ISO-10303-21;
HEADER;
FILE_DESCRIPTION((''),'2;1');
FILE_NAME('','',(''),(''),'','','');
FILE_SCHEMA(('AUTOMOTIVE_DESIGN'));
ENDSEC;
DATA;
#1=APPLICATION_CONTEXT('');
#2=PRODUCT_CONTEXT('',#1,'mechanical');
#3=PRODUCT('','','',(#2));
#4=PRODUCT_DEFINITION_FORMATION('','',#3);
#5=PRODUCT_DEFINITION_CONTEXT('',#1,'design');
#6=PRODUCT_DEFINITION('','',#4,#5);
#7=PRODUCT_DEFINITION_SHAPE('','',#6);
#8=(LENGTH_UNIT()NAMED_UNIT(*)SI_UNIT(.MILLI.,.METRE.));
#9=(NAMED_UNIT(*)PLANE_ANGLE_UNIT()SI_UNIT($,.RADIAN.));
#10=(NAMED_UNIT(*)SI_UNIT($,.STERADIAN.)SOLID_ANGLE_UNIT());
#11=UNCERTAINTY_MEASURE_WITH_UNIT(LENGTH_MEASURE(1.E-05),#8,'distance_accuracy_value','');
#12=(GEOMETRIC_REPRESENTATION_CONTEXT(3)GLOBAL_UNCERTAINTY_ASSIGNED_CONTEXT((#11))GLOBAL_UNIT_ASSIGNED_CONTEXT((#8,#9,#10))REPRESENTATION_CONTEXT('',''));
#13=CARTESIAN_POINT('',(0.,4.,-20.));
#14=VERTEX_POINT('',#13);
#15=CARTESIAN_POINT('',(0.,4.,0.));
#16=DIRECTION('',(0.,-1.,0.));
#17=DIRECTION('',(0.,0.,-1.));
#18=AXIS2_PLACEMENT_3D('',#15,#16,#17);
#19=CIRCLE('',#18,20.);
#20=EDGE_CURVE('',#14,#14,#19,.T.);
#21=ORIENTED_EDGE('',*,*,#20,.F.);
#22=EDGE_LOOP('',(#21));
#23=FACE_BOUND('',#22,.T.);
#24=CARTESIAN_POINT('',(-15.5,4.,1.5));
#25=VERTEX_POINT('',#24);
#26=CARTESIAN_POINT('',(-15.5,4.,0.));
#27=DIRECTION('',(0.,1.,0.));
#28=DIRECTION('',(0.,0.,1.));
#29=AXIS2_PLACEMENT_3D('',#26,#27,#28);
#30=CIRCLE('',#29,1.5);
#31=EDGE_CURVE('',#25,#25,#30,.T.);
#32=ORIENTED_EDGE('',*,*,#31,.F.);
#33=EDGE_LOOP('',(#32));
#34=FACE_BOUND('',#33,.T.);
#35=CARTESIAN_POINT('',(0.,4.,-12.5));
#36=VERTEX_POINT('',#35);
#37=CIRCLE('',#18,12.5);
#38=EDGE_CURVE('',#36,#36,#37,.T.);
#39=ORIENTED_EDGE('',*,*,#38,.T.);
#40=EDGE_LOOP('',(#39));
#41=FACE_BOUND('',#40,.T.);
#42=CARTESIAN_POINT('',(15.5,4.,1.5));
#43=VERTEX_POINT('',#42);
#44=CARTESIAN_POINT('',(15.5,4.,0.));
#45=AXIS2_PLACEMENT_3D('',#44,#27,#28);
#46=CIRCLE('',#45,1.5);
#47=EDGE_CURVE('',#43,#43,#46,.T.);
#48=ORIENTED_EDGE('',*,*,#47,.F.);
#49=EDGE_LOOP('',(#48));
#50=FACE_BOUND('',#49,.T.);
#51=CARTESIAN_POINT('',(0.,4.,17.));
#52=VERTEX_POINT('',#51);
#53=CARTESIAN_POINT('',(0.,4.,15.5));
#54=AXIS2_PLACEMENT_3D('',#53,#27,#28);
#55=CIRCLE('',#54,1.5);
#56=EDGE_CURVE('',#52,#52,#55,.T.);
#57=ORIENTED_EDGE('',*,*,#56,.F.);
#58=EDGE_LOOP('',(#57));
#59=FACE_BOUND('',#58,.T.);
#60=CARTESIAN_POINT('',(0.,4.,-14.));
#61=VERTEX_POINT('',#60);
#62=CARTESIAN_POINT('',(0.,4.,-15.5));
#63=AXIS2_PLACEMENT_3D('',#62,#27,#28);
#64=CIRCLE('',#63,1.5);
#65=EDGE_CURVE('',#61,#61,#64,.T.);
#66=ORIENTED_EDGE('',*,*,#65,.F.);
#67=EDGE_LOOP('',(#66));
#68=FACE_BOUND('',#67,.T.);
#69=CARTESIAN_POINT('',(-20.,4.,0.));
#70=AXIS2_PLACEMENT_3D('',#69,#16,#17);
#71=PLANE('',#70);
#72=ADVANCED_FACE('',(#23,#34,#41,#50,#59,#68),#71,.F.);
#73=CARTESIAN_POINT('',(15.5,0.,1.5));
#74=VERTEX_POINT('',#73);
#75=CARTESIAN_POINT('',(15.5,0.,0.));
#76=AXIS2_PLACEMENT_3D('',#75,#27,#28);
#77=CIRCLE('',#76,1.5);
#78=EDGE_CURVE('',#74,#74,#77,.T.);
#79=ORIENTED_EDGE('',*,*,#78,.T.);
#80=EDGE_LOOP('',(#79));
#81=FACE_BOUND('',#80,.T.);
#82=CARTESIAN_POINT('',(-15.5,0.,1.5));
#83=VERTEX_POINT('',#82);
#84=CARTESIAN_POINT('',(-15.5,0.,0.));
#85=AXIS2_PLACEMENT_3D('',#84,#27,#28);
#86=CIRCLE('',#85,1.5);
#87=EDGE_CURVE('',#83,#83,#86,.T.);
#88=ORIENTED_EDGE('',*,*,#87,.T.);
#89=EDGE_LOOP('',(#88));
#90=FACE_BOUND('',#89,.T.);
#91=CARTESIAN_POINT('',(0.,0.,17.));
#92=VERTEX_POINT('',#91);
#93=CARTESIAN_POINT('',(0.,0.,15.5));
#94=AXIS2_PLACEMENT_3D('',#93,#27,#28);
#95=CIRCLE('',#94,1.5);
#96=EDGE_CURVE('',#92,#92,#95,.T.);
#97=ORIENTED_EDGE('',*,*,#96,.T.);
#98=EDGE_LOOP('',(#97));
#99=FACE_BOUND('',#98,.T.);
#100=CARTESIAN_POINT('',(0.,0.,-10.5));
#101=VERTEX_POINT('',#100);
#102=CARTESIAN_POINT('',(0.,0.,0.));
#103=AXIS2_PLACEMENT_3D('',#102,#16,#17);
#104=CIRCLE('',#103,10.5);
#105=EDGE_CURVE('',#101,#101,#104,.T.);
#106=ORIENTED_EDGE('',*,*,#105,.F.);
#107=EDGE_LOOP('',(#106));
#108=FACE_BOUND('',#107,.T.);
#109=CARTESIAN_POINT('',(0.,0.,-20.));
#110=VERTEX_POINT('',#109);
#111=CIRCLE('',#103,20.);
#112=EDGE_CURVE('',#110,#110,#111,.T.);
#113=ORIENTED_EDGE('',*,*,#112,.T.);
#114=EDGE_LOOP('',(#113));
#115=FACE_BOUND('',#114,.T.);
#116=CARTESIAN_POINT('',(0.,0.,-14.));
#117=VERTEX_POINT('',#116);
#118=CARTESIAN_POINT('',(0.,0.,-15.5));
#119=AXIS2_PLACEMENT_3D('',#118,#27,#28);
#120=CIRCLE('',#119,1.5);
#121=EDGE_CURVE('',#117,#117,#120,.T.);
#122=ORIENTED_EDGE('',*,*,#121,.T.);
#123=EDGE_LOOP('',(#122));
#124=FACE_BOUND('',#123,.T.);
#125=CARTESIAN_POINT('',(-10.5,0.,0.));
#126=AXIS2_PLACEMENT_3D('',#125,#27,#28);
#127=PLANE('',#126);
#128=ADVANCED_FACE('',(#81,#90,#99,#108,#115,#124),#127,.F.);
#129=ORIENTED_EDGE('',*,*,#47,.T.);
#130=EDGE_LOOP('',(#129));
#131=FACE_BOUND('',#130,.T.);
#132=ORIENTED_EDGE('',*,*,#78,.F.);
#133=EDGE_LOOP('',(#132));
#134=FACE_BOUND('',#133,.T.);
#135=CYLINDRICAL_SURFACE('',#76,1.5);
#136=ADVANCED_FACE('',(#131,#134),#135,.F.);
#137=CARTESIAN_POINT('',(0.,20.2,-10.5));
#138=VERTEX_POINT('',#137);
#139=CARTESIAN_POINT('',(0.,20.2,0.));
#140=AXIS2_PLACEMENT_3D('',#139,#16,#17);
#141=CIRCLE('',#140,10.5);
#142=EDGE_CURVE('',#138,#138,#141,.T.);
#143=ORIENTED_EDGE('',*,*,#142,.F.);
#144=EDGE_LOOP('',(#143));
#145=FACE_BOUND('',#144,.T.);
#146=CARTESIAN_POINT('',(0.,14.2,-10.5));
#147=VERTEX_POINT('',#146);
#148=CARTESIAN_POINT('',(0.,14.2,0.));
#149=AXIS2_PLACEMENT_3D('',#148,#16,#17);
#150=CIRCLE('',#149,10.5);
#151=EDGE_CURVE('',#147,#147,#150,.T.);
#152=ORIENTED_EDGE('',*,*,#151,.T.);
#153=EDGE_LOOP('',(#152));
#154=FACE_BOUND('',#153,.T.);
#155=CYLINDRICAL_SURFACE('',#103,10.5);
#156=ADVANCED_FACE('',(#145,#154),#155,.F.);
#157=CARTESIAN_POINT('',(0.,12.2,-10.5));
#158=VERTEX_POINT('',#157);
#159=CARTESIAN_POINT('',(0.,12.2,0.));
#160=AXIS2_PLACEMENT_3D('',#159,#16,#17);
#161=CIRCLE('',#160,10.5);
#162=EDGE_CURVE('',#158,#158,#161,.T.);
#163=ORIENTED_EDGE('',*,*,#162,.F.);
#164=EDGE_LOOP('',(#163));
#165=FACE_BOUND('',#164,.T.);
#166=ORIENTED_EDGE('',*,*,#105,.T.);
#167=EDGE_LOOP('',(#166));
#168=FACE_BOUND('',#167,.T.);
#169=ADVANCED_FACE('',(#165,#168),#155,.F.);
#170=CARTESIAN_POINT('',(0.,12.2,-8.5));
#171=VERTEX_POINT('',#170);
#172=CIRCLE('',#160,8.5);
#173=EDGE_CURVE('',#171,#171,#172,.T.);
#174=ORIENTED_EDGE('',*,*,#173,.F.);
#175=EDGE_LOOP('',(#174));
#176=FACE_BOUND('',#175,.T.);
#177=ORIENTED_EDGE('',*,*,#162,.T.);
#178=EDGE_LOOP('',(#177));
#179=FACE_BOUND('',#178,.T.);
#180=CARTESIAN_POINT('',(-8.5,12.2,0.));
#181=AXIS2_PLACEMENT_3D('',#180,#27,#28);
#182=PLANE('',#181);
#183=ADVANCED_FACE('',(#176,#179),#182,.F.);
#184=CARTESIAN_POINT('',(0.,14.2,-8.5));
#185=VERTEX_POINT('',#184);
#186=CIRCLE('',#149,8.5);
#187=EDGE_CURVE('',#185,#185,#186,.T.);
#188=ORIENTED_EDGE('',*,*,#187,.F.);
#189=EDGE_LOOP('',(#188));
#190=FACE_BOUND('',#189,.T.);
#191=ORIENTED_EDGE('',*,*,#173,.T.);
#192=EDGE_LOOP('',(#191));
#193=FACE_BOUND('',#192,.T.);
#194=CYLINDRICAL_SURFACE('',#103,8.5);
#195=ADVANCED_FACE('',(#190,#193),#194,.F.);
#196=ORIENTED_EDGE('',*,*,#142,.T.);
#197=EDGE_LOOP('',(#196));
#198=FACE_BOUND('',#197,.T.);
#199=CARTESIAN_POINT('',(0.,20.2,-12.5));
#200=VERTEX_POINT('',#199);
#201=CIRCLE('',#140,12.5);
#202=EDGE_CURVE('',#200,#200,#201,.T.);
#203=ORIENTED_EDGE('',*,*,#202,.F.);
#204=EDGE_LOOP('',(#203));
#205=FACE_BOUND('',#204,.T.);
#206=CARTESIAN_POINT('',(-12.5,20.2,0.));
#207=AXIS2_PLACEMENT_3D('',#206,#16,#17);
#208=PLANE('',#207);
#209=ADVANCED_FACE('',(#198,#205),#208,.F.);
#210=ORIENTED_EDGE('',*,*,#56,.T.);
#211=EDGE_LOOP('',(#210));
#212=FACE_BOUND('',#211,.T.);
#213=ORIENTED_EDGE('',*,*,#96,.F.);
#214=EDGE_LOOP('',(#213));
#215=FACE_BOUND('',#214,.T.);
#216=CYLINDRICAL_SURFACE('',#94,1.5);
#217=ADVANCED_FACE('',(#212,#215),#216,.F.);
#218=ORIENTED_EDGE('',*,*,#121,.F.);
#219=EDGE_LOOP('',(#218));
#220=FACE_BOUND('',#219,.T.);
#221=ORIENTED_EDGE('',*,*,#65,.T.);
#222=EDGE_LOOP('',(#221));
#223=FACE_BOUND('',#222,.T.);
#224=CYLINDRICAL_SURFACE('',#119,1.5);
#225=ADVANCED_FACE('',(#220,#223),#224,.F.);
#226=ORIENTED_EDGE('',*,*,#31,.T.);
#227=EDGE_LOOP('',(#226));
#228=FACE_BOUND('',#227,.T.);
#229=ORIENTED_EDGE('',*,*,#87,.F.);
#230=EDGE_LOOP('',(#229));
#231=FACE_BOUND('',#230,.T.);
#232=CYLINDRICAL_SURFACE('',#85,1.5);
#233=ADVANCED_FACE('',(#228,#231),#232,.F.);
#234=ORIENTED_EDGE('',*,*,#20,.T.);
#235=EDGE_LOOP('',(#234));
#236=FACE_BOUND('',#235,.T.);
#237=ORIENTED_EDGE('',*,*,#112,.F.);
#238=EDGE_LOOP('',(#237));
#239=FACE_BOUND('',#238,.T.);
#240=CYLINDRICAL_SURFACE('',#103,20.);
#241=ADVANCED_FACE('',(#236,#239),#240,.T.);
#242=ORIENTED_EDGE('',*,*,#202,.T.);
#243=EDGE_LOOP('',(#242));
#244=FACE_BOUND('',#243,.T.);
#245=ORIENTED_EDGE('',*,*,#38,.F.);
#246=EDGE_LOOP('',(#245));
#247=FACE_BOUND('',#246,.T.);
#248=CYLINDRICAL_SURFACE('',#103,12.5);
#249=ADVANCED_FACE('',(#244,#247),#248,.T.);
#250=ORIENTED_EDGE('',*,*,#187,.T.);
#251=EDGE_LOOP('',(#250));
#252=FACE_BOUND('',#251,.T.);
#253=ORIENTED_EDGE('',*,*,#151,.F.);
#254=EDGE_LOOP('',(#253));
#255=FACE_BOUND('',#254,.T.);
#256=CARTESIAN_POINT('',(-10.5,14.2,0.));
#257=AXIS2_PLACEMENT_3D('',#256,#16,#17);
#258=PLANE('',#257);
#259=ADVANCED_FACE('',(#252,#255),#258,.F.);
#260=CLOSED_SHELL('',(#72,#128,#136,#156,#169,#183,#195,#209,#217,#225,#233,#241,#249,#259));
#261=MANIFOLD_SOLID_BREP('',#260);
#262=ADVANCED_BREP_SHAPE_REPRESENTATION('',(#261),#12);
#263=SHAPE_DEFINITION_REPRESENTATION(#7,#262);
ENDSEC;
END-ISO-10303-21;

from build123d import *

# Parameters (mm, degrees)
SKETCH2_R          = 1.5
CUT_EXTRUDE1_DEPTH = 33.595091655


with BuildPart() as part:
    # Sketch1 → Revolve1 (revolve)
    with BuildSketch(Plane.XY, mode=Mode.PRIVATE) as revolve1_sk:
        Polygon((-10.5, 20.2), (-10.5, 14.2), (-8.5, 14.2), (-8.5, 12.2), (-10.5, 12.2), (-10.5, 0), (-20, 0), (-20, 4), (-12.5, 4), (-12.5, 20.2), align=None)
    revolve(revolve1_sk.sketch.rotate(Axis((0, 0, 0), (0, 1, 0)), 270), axis=Axis((0, 0, 0), (0, 1, 0)))

    # Sketch2 → Cut-Extrude1 (cut, through all)
    with BuildSketch(Plane(origin=(0, 4, 0), x_dir=(1, 0, 0), z_dir=(0, 1, 0))):
        with Locations(Location((0, 15.5, 0), (0, 0, 270))):
            Circle(SKETCH2_R)
        with Locations(Location((15.5, 0, 0), (0, 0, 270))):
            Circle(SKETCH2_R)
        with Locations(Location((0, -15.5, 0), (0, 0, 270))):
            Circle(SKETCH2_R)
        with Locations(Location((-15.5, 0, 0), (0, 0, 270))):
            Circle(SKETCH2_R)
    extrude(amount=-CUT_EXTRUDE1_DEPTH, mode=Mode.SUBTRACT)


solid = part.part
